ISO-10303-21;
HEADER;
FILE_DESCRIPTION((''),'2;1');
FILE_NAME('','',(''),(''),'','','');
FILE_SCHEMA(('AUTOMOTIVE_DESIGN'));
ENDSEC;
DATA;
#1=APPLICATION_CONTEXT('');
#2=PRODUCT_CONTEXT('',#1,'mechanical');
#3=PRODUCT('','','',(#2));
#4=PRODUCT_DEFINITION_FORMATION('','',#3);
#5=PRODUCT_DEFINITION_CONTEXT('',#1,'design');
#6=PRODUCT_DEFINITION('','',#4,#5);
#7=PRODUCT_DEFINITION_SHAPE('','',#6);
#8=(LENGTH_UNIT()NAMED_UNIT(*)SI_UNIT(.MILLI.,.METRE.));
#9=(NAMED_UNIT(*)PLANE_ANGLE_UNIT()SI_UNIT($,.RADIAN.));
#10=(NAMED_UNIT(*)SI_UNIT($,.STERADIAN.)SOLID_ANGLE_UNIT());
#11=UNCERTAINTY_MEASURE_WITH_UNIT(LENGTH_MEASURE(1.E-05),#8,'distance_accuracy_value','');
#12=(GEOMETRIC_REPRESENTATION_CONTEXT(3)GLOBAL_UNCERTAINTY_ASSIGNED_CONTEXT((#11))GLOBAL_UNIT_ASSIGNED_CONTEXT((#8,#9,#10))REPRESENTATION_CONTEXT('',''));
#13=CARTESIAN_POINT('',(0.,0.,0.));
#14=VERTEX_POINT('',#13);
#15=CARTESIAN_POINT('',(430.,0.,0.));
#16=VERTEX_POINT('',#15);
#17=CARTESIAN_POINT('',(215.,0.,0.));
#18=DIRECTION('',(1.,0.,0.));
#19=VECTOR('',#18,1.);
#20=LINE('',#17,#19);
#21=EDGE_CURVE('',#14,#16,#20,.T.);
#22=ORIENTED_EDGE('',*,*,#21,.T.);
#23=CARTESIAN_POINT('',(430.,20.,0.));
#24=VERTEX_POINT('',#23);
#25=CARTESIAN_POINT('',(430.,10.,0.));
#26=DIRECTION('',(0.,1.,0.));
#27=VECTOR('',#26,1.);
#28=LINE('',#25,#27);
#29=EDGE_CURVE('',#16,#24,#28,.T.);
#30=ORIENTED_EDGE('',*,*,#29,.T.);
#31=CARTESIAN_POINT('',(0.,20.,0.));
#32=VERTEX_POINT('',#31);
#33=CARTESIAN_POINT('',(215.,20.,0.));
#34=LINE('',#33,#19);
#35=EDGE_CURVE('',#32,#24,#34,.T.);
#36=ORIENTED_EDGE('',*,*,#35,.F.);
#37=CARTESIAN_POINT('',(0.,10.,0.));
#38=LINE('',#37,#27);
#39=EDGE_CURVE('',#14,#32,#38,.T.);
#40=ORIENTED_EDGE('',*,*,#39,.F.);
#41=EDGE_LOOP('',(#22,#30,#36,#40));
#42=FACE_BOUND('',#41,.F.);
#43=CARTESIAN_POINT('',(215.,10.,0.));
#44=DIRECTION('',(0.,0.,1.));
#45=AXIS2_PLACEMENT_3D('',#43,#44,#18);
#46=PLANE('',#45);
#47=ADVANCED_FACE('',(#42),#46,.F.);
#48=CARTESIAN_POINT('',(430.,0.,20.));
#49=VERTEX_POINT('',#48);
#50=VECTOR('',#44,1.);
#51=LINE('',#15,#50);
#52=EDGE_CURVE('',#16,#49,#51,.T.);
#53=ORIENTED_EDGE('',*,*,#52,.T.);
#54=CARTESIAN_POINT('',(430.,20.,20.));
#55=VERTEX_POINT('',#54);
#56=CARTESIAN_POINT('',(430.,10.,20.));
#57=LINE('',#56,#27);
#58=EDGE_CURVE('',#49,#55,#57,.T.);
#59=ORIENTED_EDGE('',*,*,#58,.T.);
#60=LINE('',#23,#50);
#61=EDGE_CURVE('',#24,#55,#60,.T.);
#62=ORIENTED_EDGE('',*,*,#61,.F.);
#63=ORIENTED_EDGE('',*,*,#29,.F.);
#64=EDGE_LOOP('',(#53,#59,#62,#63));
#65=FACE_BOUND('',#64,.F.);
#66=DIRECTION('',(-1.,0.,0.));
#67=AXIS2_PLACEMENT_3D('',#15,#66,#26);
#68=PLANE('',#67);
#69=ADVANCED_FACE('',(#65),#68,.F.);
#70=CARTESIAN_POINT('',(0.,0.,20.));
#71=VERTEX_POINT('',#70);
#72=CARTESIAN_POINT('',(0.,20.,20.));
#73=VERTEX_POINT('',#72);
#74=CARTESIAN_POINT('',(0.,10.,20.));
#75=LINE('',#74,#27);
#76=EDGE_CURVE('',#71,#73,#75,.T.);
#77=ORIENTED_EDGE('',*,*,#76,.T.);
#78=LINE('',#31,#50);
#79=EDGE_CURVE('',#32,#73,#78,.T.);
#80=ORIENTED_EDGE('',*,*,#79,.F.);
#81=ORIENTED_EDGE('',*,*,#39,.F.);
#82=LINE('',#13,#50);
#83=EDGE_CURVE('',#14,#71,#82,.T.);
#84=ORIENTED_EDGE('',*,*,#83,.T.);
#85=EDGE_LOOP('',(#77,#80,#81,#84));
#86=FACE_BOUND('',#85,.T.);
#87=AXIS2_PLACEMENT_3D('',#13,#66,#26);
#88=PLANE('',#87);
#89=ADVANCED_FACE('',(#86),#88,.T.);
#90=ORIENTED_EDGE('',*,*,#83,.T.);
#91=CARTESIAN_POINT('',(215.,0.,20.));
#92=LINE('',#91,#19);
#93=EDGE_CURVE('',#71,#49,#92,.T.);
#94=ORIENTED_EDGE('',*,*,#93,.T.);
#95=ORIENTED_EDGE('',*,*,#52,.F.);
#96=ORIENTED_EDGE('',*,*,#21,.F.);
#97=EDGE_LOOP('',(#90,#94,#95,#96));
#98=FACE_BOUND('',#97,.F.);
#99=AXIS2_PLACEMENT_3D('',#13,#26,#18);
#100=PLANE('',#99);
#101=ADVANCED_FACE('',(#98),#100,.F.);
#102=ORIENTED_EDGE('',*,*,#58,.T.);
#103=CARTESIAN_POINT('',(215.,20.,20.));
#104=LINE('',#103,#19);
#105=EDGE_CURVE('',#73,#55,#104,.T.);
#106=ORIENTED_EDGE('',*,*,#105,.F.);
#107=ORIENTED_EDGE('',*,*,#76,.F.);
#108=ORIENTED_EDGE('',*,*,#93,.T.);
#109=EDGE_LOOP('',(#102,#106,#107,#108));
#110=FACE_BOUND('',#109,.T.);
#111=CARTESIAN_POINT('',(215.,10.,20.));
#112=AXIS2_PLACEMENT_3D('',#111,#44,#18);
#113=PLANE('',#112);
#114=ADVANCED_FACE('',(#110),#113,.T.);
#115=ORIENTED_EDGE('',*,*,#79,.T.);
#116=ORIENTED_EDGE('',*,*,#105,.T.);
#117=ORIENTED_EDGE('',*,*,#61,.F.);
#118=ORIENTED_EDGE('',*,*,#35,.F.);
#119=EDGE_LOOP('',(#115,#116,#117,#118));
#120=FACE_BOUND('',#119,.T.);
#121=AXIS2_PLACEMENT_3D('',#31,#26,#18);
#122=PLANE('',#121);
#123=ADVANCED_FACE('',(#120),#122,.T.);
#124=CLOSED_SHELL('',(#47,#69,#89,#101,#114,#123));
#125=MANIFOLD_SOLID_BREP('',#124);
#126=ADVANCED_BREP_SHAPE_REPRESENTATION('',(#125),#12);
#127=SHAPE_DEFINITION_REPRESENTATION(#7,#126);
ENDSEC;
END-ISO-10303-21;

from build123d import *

# Parameters (mm, degrees)
BOX_W     = 430
BOX_H     = 20
BOX_DEPTH = 20


with BuildPart() as part:
    # Box → Box (new body)
    with BuildSketch(Plane.XY):
        with Locations((215, 10)):
            Rectangle(BOX_W, BOX_H)
    extrude(amount=BOX_DEPTH)


solid = part.part
